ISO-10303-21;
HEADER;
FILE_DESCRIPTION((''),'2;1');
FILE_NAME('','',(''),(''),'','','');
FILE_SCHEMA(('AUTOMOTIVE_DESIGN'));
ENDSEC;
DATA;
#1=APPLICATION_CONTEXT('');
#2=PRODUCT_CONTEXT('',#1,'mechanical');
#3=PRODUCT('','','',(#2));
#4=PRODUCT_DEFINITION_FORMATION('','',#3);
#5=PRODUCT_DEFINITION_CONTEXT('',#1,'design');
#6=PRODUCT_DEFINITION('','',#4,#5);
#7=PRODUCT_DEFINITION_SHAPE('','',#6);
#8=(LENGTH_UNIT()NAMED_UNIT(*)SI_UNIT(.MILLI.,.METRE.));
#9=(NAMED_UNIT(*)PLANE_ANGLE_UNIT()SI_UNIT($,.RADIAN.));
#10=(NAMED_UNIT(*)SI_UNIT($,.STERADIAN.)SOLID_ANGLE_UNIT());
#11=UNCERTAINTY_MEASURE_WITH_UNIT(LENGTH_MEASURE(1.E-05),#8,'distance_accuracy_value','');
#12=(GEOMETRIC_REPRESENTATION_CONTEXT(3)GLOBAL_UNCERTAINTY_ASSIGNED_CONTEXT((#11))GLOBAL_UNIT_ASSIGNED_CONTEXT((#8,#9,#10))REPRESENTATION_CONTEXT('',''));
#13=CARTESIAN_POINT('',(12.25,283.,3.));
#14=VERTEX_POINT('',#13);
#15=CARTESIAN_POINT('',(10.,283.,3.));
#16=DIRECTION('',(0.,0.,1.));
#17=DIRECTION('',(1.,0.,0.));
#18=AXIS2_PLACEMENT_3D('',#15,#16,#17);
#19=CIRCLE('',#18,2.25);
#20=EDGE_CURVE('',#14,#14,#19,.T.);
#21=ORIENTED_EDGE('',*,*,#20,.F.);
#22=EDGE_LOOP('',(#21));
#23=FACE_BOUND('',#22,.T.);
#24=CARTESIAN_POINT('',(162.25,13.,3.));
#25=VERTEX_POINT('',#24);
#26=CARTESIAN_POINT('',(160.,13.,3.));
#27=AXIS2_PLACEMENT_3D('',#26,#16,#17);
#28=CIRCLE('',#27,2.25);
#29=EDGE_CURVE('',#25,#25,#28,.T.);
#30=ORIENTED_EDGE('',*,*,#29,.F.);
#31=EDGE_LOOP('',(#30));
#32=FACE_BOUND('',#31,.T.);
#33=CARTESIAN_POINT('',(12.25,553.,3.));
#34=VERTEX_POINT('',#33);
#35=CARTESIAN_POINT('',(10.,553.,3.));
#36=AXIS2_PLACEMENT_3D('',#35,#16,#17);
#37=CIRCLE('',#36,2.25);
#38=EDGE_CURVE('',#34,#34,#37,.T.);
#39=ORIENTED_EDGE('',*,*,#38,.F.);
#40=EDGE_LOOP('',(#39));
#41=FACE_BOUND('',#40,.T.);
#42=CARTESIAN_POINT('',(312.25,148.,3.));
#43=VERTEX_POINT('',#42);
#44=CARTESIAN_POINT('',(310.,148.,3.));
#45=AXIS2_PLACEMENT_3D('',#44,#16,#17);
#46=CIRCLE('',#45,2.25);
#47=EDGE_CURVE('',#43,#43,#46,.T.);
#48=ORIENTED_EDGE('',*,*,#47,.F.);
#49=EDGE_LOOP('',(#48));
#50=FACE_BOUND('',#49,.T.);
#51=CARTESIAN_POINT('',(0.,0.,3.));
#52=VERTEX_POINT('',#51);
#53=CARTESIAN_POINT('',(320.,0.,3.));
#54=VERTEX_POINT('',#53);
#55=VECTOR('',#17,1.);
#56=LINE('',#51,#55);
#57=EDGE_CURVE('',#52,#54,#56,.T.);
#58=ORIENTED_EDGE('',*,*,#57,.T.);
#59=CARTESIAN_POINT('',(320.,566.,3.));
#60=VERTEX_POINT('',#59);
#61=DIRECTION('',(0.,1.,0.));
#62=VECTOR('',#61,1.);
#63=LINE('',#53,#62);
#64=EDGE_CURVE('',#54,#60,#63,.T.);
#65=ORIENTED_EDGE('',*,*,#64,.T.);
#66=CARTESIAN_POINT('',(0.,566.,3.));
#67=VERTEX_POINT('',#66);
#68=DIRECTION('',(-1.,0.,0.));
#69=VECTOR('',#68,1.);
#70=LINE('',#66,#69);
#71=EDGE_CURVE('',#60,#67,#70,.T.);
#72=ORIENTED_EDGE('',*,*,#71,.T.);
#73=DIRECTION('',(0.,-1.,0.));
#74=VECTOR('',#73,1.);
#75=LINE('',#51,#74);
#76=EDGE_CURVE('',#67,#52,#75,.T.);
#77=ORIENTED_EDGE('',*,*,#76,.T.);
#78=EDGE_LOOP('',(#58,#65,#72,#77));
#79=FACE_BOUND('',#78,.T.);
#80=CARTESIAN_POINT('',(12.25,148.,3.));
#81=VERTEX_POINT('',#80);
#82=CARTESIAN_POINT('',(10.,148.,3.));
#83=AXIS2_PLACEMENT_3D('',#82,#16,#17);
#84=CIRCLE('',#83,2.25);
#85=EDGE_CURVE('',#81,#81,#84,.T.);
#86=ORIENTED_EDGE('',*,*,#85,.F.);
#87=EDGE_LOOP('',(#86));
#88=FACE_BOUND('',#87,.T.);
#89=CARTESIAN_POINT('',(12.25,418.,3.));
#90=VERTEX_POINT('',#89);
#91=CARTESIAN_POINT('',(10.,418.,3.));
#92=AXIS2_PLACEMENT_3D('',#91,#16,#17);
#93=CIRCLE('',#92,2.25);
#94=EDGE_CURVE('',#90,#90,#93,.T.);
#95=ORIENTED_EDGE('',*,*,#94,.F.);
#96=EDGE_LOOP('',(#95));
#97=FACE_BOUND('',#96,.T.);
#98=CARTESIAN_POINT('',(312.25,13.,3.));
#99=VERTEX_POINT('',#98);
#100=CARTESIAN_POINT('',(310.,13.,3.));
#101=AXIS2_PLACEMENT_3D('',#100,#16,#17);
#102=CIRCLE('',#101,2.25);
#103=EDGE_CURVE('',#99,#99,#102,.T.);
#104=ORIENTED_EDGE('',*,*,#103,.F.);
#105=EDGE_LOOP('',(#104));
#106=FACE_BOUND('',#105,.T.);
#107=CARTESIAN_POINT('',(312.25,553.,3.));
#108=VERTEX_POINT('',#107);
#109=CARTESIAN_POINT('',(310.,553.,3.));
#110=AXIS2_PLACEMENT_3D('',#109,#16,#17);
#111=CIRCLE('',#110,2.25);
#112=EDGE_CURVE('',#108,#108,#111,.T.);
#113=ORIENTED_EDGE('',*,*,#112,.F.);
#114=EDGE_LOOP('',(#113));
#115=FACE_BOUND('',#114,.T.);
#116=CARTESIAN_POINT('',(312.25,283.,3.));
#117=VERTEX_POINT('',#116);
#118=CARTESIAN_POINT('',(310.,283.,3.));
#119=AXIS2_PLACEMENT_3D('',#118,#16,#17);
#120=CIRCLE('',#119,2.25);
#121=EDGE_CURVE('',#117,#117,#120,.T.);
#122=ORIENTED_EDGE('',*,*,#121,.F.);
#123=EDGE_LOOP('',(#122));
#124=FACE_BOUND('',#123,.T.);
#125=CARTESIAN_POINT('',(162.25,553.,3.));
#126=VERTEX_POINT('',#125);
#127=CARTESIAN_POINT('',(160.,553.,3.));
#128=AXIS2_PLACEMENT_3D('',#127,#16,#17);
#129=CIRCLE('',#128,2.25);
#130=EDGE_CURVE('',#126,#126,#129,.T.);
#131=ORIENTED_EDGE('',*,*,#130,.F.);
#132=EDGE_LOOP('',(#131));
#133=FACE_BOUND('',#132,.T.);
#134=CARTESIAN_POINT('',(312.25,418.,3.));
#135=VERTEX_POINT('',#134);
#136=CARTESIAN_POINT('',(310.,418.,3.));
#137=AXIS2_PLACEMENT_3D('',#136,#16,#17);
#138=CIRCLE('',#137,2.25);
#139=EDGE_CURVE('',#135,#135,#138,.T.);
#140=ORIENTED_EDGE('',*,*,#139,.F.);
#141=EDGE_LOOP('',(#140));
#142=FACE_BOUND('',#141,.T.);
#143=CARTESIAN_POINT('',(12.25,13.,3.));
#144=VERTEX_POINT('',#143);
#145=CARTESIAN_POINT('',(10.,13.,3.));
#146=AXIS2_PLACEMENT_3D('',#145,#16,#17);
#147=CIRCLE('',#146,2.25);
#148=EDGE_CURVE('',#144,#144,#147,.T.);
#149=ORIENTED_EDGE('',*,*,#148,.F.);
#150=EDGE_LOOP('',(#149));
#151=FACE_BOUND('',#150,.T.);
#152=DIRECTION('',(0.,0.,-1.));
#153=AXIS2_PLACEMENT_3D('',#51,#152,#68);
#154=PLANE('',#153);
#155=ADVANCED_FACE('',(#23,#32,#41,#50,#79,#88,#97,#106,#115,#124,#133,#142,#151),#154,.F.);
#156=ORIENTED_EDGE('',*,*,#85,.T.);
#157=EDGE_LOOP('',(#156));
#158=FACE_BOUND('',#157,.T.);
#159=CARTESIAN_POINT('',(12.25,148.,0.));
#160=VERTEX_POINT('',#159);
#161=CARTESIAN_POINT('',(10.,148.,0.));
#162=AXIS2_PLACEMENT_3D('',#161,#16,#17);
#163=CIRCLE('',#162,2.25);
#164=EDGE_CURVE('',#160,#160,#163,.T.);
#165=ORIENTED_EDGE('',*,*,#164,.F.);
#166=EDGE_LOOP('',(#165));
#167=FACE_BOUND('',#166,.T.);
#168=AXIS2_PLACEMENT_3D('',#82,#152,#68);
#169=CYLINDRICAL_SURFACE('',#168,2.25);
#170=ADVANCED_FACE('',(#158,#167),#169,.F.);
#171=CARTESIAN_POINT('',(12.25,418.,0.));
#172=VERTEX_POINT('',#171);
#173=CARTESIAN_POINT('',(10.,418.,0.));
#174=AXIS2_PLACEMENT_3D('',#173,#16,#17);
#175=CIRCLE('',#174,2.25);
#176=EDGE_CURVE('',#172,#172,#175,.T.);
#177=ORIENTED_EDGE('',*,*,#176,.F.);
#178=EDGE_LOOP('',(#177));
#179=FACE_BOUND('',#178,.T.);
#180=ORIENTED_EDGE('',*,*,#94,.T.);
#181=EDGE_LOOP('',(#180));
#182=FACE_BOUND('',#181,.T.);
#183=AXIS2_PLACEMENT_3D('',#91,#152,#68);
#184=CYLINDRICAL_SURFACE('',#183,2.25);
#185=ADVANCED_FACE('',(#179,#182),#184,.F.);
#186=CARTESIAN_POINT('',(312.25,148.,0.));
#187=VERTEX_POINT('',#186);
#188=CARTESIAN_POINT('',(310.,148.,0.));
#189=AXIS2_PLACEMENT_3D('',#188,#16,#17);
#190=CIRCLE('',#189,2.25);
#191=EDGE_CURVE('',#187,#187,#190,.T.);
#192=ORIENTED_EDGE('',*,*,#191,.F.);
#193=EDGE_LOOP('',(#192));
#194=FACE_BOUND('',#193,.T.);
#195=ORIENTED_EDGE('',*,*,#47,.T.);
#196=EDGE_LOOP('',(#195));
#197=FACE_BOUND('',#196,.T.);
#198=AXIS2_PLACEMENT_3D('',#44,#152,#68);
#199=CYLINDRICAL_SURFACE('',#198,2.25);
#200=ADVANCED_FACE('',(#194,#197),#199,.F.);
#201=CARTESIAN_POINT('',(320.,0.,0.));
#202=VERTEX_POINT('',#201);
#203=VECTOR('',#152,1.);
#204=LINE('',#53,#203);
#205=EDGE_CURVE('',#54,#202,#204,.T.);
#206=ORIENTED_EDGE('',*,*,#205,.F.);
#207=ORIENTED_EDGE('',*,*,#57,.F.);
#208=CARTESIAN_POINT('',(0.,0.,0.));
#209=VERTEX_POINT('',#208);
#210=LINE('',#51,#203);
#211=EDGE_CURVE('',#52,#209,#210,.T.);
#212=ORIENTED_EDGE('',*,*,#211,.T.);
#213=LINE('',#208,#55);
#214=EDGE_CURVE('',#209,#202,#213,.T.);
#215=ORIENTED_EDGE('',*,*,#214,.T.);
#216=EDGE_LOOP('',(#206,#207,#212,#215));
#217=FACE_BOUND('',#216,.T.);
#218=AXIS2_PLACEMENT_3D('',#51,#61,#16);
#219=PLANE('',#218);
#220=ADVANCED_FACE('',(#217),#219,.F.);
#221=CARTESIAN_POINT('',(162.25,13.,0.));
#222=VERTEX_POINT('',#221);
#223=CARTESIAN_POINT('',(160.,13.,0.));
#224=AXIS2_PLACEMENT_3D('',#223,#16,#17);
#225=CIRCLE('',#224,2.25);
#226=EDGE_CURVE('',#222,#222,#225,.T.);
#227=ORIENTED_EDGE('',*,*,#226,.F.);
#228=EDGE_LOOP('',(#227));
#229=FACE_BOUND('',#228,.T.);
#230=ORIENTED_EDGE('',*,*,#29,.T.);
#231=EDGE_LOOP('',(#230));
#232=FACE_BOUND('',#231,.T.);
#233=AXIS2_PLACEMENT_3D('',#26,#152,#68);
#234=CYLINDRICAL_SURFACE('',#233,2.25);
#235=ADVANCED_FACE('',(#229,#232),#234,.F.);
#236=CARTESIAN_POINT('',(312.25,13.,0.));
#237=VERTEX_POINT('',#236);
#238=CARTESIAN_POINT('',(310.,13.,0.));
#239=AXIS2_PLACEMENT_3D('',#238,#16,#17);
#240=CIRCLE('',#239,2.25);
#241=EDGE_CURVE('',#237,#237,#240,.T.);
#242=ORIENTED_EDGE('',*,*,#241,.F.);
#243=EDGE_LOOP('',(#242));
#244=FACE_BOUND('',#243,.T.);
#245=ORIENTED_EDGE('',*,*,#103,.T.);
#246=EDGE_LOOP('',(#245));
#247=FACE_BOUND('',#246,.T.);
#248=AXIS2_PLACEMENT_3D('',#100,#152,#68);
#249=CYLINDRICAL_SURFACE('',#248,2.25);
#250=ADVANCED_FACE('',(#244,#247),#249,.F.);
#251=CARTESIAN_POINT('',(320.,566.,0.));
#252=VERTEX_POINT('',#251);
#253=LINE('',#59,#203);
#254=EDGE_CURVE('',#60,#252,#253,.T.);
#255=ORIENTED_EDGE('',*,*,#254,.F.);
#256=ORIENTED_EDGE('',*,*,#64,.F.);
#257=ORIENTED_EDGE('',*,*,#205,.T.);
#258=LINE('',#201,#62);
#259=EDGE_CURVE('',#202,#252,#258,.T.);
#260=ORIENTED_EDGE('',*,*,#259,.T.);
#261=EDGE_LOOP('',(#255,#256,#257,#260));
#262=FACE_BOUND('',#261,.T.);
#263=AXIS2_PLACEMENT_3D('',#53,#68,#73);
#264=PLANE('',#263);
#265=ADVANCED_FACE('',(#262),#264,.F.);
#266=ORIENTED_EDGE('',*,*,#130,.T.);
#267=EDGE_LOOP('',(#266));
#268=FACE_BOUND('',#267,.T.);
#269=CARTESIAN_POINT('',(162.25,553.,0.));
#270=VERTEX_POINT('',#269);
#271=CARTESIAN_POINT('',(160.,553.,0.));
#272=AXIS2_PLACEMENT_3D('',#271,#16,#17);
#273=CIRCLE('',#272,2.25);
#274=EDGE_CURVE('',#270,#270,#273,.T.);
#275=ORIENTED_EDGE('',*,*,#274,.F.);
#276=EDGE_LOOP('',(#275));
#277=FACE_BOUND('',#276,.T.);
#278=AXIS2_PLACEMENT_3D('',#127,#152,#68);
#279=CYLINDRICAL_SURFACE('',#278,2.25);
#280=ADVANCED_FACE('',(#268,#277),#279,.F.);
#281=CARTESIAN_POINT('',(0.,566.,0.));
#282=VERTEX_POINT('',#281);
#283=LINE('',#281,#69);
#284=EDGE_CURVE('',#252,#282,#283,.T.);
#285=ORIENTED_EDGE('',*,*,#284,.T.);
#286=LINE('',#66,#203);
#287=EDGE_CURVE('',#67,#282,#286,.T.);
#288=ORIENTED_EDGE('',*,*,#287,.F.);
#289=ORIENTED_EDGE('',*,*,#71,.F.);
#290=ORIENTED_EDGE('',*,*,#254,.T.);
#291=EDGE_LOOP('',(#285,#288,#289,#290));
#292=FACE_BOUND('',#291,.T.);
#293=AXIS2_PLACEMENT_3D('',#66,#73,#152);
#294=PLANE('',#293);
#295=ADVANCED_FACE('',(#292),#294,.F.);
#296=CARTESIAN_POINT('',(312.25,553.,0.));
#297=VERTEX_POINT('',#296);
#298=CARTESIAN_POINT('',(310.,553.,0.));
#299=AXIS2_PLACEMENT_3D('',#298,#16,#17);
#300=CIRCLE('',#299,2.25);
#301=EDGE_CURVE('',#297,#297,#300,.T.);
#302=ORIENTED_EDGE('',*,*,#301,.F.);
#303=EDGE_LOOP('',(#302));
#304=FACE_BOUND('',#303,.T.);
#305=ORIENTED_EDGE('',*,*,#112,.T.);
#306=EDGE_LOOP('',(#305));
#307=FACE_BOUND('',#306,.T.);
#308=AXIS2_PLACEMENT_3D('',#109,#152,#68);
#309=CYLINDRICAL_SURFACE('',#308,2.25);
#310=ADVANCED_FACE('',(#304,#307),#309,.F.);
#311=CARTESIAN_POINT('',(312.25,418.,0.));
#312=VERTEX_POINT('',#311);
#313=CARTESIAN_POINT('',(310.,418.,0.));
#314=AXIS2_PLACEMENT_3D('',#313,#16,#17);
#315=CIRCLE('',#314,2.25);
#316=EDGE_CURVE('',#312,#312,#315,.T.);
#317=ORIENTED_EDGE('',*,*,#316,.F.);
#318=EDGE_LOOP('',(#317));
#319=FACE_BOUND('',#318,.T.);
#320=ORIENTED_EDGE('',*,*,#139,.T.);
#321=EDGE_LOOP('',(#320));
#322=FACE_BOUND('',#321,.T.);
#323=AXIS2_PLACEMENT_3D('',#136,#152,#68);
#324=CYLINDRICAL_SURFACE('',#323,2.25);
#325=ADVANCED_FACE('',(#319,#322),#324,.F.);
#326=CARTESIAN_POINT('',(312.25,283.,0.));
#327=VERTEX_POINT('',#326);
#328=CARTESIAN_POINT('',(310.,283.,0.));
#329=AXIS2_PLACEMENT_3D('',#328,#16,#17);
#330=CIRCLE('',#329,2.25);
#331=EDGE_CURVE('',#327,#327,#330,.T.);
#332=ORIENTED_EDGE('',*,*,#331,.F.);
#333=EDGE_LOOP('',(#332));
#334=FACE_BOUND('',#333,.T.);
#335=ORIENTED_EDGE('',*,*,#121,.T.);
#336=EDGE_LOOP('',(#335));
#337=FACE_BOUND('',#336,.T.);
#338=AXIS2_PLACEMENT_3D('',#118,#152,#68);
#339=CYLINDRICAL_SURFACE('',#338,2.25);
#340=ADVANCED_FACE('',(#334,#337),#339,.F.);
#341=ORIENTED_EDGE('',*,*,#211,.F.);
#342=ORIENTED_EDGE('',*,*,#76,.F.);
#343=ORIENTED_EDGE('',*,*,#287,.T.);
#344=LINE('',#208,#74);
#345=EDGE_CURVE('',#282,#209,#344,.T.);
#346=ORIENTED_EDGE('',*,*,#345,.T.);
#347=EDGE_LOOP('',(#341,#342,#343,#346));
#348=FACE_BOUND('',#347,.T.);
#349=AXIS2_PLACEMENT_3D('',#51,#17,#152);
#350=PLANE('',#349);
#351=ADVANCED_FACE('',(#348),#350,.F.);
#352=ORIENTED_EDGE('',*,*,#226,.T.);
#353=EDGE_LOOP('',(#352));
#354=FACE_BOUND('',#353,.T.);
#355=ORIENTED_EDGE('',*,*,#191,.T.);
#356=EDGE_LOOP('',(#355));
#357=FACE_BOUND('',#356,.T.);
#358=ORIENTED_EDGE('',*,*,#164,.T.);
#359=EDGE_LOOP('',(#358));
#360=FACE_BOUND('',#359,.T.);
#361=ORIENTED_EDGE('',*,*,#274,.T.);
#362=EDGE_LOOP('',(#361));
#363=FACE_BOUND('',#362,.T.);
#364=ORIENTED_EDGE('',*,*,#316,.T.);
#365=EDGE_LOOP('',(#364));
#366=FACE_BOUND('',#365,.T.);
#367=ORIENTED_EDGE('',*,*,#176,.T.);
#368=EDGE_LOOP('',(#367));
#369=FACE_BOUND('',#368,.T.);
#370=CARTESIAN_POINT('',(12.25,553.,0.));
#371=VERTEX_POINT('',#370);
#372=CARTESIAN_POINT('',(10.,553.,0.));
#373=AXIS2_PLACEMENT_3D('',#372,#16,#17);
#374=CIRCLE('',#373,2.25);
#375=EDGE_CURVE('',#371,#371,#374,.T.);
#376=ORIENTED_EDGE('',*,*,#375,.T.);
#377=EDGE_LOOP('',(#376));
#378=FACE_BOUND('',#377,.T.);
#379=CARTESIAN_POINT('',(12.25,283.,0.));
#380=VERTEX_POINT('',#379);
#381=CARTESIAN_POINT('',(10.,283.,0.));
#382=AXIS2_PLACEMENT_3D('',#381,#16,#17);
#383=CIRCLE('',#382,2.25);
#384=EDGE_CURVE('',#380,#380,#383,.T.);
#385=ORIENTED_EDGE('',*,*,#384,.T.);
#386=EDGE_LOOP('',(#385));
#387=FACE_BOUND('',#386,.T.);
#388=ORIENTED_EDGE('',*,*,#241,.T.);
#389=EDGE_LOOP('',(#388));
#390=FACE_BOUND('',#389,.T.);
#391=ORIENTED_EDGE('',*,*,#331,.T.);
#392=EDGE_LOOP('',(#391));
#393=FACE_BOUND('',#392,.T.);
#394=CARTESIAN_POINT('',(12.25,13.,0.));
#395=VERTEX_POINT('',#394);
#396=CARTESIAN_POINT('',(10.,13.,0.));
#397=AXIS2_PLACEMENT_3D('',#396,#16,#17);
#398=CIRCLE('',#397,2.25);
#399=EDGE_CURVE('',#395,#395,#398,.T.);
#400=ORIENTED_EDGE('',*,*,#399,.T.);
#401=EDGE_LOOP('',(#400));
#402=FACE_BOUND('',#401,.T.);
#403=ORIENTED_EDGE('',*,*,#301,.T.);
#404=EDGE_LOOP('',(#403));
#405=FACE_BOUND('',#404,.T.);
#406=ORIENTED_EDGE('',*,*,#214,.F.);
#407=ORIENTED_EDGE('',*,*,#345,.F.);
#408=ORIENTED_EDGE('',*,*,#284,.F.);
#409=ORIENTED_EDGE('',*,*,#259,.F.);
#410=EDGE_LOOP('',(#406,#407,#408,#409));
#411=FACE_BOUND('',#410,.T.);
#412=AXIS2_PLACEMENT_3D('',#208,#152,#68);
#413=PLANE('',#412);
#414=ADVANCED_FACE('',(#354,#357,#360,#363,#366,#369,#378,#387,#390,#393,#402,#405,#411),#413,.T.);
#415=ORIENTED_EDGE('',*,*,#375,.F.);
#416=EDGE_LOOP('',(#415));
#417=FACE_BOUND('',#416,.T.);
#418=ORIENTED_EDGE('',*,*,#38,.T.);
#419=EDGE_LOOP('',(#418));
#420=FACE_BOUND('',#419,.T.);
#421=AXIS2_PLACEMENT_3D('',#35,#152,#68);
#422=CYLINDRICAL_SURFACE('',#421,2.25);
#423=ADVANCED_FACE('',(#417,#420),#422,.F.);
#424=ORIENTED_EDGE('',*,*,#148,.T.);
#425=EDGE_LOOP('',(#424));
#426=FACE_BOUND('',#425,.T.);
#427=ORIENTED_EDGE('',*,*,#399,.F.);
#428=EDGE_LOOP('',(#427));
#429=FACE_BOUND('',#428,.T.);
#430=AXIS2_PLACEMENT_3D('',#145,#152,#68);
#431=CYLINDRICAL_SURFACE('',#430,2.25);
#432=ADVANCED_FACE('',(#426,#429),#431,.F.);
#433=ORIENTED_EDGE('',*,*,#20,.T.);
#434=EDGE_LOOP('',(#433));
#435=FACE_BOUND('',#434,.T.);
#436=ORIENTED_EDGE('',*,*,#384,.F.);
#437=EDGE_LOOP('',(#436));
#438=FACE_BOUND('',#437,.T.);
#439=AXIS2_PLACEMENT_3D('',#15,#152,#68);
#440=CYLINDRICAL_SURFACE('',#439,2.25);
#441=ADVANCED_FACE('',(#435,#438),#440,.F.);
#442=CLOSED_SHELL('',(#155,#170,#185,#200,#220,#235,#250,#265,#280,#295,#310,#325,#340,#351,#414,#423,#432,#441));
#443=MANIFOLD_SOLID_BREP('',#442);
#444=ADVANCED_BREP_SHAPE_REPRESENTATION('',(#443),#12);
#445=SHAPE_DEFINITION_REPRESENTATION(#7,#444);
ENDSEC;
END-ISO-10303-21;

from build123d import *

# Parameters (mm, degrees)
SKETCH_1_W      = 320
SKETCH_1_H      = 566
SKETCH_1_R      = 2.25
EXTRUDE_1_DEPTH = 3


with BuildPart() as part:
    # Эскиз1 → Бобышка-Вытянуть1 (new body)
    with BuildSketch(Plane.XY):
        with Locations((160, 283)):
            Rectangle(SKETCH_1_W, SKETCH_1_H)
        with Locations((10, 553)):
            Circle(SKETCH_1_R, mode=Mode.SUBTRACT)
        with Locations((10, 418)):
            Circle(SKETCH_1_R, mode=Mode.SUBTRACT)
        with Locations((10, 283)):
            Circle(SKETCH_1_R, mode=Mode.SUBTRACT)
        with Locations((10, 148)):
            Circle(SKETCH_1_R, mode=Mode.SUBTRACT)
        with Locations((10, 13)):
            Circle(SKETCH_1_R, mode=Mode.SUBTRACT)
        with Locations((160, 553)):
            Circle(SKETCH_1_R, mode=Mode.SUBTRACT)
        with Locations((160, 13)):
            Circle(SKETCH_1_R, mode=Mode.SUBTRACT)
        with Locations((310, 553)):
            Circle(SKETCH_1_R, mode=Mode.SUBTRACT)
        with Locations((310, 418)):
            Circle(SKETCH_1_R, mode=Mode.SUBTRACT)
        with Locations((310, 283)):
            Circle(SKETCH_1_R, mode=Mode.SUBTRACT)
        with Locations((310, 148)):
            Circle(SKETCH_1_R, mode=Mode.SUBTRACT)
        with Locations((310, 13)):
            Circle(SKETCH_1_R, mode=Mode.SUBTRACT)
    extrude(amount=EXTRUDE_1_DEPTH)


solid = part.part
